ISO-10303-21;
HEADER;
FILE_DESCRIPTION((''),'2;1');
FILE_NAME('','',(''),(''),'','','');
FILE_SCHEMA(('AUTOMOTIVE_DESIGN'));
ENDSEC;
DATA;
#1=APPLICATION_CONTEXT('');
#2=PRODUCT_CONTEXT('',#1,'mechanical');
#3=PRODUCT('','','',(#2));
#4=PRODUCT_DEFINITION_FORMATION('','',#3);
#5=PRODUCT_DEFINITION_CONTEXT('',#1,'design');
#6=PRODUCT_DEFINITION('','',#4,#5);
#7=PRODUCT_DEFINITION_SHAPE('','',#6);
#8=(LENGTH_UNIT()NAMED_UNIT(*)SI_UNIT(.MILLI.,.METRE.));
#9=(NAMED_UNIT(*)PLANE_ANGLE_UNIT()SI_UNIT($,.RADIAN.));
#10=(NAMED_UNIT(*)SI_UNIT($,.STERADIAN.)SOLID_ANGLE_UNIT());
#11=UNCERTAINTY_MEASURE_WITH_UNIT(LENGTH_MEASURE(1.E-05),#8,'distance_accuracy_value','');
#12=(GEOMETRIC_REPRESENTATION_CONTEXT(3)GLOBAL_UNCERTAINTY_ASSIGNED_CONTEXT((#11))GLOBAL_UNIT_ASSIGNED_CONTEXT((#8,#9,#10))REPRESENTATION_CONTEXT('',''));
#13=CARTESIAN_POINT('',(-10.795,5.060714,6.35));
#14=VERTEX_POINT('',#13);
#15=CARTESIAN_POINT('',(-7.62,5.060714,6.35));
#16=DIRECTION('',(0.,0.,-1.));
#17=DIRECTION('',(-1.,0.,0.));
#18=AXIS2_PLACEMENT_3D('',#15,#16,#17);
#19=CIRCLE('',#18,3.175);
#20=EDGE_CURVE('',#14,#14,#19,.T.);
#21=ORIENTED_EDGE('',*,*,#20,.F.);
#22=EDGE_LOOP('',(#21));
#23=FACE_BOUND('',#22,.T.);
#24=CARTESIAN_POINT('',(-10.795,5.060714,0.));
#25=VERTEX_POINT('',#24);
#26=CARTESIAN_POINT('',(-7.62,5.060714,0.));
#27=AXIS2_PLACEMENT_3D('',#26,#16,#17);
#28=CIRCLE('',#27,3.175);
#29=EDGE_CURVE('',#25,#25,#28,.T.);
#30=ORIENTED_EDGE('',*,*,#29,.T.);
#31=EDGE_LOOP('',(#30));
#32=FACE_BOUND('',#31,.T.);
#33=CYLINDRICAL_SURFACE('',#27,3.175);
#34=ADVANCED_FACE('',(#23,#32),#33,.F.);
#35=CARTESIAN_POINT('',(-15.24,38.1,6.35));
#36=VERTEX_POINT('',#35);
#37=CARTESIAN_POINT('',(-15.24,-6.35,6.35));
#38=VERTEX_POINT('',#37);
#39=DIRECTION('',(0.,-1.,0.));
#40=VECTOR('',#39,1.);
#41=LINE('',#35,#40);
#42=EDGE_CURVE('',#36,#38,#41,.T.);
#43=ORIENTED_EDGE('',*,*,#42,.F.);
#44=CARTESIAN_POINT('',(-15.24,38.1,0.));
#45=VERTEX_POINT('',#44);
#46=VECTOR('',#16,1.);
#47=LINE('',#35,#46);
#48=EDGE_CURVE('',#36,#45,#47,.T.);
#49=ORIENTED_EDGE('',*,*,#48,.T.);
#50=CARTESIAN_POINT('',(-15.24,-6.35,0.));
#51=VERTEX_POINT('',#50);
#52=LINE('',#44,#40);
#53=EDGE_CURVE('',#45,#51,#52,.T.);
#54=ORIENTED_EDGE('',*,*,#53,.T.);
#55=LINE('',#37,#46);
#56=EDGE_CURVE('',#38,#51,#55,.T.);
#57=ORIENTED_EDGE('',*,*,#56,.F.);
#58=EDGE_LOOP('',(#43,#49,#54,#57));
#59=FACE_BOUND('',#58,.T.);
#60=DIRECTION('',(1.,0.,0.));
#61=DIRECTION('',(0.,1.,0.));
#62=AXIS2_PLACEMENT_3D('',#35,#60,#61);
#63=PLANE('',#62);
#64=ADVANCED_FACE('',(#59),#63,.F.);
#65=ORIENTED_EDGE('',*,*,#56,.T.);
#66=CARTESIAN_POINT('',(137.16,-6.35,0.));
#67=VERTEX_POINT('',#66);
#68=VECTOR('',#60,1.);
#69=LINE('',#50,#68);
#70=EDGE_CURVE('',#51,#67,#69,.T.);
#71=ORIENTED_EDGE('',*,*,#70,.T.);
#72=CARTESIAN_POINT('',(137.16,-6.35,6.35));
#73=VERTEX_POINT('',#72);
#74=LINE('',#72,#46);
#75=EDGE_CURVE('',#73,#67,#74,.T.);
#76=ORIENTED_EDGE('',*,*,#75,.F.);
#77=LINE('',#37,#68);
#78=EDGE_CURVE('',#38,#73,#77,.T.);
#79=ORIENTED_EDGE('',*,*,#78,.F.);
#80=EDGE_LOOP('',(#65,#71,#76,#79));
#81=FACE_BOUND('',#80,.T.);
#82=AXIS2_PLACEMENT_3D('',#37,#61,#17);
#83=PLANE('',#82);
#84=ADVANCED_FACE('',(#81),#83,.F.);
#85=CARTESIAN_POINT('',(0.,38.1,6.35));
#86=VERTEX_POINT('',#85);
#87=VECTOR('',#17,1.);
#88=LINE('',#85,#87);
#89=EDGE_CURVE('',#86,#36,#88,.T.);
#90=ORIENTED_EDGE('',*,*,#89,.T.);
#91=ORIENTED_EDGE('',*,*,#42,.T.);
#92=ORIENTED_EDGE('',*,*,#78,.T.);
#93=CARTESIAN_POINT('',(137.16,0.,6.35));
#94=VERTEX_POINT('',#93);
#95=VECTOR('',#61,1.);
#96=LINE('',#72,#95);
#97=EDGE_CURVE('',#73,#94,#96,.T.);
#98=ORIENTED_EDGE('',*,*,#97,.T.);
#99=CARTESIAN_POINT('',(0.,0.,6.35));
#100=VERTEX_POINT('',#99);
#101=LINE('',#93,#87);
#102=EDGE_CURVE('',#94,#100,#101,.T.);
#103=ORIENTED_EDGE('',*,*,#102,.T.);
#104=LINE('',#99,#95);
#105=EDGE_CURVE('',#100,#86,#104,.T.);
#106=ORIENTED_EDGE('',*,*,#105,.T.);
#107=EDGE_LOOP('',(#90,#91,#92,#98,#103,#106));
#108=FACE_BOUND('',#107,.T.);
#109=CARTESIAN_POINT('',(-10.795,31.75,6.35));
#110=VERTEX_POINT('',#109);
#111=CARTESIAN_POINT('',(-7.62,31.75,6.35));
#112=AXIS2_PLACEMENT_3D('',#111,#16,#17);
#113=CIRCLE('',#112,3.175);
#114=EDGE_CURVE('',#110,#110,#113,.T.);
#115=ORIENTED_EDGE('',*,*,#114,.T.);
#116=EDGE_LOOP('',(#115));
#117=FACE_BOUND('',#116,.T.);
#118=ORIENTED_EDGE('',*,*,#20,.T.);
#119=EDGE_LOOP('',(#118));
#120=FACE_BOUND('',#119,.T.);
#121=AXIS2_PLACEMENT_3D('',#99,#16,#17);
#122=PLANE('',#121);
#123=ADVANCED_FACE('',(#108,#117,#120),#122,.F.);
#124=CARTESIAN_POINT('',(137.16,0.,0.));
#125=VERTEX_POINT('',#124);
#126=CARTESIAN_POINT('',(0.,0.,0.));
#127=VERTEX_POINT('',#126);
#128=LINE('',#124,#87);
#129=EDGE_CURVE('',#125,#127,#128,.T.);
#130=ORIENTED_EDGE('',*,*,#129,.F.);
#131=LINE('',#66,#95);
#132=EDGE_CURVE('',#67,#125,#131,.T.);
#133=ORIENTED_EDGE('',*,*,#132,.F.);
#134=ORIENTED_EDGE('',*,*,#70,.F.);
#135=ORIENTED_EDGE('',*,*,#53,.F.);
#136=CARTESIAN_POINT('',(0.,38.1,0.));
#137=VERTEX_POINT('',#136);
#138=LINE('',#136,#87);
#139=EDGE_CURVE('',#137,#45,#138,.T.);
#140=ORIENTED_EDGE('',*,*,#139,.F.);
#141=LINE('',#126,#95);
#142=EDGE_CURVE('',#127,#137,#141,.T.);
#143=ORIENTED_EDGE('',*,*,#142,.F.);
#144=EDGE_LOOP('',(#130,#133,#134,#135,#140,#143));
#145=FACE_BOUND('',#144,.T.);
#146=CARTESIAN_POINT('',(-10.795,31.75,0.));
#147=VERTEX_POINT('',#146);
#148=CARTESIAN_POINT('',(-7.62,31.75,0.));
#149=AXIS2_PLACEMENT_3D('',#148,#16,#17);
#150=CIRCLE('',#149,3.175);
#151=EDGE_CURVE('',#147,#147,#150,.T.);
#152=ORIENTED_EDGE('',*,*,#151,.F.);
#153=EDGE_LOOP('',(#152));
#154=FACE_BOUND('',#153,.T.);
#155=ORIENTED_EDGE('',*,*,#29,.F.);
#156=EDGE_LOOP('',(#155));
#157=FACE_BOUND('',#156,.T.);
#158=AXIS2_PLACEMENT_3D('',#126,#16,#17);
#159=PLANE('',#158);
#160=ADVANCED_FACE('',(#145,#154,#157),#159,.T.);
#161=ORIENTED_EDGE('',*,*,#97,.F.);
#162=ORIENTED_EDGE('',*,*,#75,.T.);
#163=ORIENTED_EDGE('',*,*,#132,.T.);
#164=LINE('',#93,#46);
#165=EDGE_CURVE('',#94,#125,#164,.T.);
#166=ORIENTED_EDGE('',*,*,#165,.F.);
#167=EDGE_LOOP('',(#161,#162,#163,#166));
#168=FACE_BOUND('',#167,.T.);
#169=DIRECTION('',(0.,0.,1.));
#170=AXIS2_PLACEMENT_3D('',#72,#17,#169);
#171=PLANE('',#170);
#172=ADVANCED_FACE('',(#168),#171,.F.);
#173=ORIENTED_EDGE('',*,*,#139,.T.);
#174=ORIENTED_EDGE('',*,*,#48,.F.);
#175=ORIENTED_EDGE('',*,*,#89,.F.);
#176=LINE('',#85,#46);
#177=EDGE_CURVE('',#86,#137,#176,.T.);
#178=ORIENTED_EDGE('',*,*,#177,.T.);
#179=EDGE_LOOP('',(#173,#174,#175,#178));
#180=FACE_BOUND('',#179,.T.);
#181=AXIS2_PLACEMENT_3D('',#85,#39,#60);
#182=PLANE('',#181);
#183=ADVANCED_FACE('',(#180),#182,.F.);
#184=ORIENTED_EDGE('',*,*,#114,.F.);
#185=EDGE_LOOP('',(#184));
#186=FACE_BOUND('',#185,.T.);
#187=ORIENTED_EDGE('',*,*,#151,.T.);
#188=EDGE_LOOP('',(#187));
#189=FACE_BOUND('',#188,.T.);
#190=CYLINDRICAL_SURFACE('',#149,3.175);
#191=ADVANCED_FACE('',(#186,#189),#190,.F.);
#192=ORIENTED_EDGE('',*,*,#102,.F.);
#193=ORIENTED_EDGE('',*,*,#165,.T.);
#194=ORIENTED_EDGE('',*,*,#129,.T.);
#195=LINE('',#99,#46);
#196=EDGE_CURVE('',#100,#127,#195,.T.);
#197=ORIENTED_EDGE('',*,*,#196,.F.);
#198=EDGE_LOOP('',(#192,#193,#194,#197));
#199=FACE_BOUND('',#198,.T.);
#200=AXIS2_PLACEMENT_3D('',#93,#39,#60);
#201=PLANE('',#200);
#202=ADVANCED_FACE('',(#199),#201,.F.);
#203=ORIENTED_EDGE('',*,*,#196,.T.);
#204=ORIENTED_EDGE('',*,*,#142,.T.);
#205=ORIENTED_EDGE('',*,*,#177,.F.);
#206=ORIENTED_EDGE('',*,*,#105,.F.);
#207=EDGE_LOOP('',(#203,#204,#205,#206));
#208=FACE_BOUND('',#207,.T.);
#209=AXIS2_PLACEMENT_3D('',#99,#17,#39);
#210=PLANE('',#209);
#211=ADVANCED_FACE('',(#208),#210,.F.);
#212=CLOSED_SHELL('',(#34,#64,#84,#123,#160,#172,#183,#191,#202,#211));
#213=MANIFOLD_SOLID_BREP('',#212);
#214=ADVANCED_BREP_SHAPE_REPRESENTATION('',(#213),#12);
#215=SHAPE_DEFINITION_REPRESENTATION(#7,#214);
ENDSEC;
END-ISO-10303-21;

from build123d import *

# Parameters (mm, degrees)
BOSS_EXTRUDE1_DEPTH         = 6.35
F_1_4_0_25_DIAMETER_HOLE1_D = 6.35


with BuildPart() as part:
    # Sketch1 → Boss-Extrude1 (new body)
    with BuildSketch(Plane.XY):
        Polygon((0, 0), (0, 38.1), (-15.24, 38.1), (-15.24, -6.35), (137.16, -6.35), (137.16, 0), align=None)
    extrude(amount=BOSS_EXTRUDE1_DEPTH)

    # 1/4 (0.25) Diameter Hole1 (through all)
    with Locations(Plane(origin=(-7.62, 31.75, 0), x_dir=(-1, 0, 0), z_dir=(0, 0, -1))):
        with Locations((0, 0), (0, -26.689285954)):
            Hole(F_1_4_0_25_DIAMETER_HOLE1_D / 2)


solid = part.part
